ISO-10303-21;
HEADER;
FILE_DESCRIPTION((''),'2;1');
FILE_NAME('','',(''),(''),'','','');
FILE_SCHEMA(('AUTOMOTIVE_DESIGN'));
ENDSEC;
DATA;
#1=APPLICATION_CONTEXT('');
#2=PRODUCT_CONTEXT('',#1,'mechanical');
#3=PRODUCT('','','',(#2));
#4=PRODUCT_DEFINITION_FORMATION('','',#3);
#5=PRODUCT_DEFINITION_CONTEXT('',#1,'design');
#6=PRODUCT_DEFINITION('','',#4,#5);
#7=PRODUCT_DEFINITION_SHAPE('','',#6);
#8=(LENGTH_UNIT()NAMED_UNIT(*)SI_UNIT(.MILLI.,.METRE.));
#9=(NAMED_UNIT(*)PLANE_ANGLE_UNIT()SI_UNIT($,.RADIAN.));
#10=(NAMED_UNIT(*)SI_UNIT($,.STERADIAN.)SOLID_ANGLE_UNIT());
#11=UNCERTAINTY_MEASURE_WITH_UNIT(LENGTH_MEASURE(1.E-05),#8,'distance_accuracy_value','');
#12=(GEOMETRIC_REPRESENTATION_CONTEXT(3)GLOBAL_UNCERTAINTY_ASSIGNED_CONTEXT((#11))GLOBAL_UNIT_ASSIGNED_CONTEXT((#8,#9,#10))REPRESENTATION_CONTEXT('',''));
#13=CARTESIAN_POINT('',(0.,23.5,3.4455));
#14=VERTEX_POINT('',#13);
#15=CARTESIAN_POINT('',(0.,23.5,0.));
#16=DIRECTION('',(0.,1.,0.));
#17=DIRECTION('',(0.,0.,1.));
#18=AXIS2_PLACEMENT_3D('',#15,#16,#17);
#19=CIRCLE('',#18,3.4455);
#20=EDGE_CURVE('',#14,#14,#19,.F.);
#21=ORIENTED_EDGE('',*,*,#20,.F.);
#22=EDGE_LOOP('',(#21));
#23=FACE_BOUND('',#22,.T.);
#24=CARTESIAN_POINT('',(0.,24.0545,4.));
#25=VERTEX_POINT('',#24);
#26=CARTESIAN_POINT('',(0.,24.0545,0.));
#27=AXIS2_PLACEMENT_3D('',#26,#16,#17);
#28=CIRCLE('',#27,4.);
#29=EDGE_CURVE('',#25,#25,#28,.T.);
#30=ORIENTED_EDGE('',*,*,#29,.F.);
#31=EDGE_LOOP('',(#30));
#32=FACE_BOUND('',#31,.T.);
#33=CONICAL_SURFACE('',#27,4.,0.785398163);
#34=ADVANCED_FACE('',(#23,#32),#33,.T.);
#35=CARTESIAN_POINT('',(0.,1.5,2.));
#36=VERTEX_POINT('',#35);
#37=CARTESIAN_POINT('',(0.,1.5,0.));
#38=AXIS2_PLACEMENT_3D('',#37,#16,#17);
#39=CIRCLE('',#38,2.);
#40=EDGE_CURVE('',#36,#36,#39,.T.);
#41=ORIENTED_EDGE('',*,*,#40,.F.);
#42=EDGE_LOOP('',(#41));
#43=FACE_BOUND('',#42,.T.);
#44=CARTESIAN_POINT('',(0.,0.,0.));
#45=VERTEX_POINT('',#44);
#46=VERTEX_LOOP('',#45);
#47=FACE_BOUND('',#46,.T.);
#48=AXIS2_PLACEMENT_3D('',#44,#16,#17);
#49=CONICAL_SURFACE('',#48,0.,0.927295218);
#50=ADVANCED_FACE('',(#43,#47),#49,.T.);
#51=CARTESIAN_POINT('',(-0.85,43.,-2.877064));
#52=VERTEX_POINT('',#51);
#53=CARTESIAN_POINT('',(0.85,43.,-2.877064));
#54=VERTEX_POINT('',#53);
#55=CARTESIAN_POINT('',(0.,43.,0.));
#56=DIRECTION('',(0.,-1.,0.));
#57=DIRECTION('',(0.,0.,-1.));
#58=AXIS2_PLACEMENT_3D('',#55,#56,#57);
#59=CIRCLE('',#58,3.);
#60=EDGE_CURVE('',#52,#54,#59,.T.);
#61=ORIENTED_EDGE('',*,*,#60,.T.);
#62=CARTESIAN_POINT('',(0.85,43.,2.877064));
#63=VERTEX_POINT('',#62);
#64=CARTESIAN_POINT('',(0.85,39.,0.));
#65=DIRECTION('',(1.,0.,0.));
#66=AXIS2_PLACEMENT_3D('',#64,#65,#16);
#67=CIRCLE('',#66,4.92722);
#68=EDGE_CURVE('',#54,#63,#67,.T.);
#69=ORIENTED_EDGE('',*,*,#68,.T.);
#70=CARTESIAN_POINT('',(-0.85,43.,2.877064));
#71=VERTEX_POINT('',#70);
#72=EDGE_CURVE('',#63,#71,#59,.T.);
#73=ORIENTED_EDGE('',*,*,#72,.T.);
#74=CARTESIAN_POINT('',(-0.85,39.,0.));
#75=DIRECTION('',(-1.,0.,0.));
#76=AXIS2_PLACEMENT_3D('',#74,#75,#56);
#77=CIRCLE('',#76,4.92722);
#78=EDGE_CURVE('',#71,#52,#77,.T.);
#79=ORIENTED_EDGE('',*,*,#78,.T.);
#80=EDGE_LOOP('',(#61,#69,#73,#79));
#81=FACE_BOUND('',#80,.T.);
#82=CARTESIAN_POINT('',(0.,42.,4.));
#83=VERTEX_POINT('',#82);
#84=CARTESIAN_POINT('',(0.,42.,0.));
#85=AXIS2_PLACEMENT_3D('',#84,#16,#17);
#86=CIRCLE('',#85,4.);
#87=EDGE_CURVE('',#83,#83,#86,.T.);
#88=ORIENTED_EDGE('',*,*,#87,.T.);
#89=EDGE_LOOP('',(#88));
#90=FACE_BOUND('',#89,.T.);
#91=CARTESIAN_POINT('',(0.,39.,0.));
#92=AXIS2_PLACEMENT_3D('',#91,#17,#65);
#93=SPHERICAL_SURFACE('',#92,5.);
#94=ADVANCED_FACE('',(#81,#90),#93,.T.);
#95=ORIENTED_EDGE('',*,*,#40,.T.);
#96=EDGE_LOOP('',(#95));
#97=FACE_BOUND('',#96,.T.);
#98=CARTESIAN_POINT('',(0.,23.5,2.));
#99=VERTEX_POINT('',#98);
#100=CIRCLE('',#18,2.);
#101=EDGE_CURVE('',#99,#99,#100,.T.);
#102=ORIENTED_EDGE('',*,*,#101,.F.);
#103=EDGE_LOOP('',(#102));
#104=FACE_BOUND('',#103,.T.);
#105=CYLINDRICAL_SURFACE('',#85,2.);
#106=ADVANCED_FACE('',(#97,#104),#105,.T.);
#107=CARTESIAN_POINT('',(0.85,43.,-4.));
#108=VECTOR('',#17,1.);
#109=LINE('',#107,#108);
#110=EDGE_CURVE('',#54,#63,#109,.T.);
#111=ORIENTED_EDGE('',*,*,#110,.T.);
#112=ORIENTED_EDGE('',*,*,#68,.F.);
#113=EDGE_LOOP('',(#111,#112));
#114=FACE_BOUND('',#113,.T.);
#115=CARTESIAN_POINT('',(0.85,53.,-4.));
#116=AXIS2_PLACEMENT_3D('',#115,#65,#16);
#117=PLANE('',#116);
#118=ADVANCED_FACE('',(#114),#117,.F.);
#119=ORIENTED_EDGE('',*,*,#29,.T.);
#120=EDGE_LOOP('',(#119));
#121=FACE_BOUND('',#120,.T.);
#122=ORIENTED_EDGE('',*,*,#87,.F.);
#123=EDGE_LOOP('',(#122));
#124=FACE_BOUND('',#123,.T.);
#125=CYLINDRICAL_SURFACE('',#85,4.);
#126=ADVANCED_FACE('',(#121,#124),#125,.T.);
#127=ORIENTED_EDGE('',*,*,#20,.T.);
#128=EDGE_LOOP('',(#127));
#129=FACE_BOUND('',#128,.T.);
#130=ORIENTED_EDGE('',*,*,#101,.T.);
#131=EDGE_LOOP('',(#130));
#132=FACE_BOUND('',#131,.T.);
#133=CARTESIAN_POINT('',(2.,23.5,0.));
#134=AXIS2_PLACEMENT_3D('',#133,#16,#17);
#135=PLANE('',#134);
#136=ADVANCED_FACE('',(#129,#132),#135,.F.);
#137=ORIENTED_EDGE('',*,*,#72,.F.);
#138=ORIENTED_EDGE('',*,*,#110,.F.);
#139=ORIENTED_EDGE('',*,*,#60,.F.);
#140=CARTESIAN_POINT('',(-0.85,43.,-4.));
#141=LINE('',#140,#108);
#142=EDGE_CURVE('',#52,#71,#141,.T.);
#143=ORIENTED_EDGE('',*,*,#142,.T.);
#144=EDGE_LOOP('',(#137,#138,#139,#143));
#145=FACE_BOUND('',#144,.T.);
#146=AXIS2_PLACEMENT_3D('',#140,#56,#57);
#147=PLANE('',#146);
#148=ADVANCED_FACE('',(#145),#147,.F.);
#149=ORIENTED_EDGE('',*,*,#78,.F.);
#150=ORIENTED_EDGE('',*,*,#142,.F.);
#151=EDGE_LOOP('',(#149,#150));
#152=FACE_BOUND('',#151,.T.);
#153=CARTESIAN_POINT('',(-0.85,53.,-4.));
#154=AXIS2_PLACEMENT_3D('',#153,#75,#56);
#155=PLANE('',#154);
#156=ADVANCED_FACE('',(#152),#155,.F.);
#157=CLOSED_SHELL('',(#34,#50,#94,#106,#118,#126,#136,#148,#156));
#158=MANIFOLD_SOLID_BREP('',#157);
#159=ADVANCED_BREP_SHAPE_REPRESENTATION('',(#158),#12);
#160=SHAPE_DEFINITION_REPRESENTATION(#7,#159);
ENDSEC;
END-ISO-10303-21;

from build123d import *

# Parameters (mm, degrees)
DOME_1_FACE_RADIUS       = 4
DOME_1_HEIGHT            = 2
SKETCH_3_W               = 1.7
SKETCH_3_H               = 10
CUT_EXTRUDE_1_DEPTH      = 5
CUT_EXTRUDE_1_DEPTH_BACK = 5
CHAMFER_1_SIZE           = 0.5545


with BuildPart() as part:
    # Sketch 2 → Revolve 1 (revolve)
    with BuildSketch(Plane.XY):
        Polygon((0, 0), (2, 1.5), (2, 23.5), (4, 23.5), (4, 42), (0, 42), align=None)
    revolve(axis=Axis((0, 42, 0), (0, -1, 0)))

    # Dome 1: a dome of height H over a round flat face of radius A is a cap of a sphere of radius (A * A + H * H) / (2 * H)
    dome_1_r = (DOME_1_FACE_RADIUS * DOME_1_FACE_RADIUS + DOME_1_HEIGHT * DOME_1_HEIGHT) / (2 * DOME_1_HEIGHT)
    dome_1_base = Plane((0, 42, 0), z_dir=(0, 1, 0))
    with Locations(dome_1_base.offset(DOME_1_HEIGHT - dome_1_r)):
        dome_1_ball = Sphere(dome_1_r, mode=Mode.PRIVATE)
    add(split(dome_1_ball, bisect_by=dome_1_base, keep=Keep.TOP, mode=Mode.PRIVATE))

    # Sketch 3 → Cut-Extrude 1 (cut, two sides)
    with BuildSketch(Plane.XY) as cut_extrude_1_sk:
        with Locations((0, 48)):
            Rectangle(SKETCH_3_W, SKETCH_3_H)
    extrude(amount=CUT_EXTRUDE_1_DEPTH, mode=Mode.SUBTRACT)
    extrude(cut_extrude_1_sk.sketch, amount=-CUT_EXTRUDE_1_DEPTH_BACK, mode=Mode.SUBTRACT)

    # Chamfer 1
    chamfer_1_edges = [part.edges().sort_by_distance(p)[0] for p in [
        (-4, 23.5, 0),
    ]]
    chamfer(chamfer_1_edges, length=CHAMFER_1_SIZE)


solid = part.part
